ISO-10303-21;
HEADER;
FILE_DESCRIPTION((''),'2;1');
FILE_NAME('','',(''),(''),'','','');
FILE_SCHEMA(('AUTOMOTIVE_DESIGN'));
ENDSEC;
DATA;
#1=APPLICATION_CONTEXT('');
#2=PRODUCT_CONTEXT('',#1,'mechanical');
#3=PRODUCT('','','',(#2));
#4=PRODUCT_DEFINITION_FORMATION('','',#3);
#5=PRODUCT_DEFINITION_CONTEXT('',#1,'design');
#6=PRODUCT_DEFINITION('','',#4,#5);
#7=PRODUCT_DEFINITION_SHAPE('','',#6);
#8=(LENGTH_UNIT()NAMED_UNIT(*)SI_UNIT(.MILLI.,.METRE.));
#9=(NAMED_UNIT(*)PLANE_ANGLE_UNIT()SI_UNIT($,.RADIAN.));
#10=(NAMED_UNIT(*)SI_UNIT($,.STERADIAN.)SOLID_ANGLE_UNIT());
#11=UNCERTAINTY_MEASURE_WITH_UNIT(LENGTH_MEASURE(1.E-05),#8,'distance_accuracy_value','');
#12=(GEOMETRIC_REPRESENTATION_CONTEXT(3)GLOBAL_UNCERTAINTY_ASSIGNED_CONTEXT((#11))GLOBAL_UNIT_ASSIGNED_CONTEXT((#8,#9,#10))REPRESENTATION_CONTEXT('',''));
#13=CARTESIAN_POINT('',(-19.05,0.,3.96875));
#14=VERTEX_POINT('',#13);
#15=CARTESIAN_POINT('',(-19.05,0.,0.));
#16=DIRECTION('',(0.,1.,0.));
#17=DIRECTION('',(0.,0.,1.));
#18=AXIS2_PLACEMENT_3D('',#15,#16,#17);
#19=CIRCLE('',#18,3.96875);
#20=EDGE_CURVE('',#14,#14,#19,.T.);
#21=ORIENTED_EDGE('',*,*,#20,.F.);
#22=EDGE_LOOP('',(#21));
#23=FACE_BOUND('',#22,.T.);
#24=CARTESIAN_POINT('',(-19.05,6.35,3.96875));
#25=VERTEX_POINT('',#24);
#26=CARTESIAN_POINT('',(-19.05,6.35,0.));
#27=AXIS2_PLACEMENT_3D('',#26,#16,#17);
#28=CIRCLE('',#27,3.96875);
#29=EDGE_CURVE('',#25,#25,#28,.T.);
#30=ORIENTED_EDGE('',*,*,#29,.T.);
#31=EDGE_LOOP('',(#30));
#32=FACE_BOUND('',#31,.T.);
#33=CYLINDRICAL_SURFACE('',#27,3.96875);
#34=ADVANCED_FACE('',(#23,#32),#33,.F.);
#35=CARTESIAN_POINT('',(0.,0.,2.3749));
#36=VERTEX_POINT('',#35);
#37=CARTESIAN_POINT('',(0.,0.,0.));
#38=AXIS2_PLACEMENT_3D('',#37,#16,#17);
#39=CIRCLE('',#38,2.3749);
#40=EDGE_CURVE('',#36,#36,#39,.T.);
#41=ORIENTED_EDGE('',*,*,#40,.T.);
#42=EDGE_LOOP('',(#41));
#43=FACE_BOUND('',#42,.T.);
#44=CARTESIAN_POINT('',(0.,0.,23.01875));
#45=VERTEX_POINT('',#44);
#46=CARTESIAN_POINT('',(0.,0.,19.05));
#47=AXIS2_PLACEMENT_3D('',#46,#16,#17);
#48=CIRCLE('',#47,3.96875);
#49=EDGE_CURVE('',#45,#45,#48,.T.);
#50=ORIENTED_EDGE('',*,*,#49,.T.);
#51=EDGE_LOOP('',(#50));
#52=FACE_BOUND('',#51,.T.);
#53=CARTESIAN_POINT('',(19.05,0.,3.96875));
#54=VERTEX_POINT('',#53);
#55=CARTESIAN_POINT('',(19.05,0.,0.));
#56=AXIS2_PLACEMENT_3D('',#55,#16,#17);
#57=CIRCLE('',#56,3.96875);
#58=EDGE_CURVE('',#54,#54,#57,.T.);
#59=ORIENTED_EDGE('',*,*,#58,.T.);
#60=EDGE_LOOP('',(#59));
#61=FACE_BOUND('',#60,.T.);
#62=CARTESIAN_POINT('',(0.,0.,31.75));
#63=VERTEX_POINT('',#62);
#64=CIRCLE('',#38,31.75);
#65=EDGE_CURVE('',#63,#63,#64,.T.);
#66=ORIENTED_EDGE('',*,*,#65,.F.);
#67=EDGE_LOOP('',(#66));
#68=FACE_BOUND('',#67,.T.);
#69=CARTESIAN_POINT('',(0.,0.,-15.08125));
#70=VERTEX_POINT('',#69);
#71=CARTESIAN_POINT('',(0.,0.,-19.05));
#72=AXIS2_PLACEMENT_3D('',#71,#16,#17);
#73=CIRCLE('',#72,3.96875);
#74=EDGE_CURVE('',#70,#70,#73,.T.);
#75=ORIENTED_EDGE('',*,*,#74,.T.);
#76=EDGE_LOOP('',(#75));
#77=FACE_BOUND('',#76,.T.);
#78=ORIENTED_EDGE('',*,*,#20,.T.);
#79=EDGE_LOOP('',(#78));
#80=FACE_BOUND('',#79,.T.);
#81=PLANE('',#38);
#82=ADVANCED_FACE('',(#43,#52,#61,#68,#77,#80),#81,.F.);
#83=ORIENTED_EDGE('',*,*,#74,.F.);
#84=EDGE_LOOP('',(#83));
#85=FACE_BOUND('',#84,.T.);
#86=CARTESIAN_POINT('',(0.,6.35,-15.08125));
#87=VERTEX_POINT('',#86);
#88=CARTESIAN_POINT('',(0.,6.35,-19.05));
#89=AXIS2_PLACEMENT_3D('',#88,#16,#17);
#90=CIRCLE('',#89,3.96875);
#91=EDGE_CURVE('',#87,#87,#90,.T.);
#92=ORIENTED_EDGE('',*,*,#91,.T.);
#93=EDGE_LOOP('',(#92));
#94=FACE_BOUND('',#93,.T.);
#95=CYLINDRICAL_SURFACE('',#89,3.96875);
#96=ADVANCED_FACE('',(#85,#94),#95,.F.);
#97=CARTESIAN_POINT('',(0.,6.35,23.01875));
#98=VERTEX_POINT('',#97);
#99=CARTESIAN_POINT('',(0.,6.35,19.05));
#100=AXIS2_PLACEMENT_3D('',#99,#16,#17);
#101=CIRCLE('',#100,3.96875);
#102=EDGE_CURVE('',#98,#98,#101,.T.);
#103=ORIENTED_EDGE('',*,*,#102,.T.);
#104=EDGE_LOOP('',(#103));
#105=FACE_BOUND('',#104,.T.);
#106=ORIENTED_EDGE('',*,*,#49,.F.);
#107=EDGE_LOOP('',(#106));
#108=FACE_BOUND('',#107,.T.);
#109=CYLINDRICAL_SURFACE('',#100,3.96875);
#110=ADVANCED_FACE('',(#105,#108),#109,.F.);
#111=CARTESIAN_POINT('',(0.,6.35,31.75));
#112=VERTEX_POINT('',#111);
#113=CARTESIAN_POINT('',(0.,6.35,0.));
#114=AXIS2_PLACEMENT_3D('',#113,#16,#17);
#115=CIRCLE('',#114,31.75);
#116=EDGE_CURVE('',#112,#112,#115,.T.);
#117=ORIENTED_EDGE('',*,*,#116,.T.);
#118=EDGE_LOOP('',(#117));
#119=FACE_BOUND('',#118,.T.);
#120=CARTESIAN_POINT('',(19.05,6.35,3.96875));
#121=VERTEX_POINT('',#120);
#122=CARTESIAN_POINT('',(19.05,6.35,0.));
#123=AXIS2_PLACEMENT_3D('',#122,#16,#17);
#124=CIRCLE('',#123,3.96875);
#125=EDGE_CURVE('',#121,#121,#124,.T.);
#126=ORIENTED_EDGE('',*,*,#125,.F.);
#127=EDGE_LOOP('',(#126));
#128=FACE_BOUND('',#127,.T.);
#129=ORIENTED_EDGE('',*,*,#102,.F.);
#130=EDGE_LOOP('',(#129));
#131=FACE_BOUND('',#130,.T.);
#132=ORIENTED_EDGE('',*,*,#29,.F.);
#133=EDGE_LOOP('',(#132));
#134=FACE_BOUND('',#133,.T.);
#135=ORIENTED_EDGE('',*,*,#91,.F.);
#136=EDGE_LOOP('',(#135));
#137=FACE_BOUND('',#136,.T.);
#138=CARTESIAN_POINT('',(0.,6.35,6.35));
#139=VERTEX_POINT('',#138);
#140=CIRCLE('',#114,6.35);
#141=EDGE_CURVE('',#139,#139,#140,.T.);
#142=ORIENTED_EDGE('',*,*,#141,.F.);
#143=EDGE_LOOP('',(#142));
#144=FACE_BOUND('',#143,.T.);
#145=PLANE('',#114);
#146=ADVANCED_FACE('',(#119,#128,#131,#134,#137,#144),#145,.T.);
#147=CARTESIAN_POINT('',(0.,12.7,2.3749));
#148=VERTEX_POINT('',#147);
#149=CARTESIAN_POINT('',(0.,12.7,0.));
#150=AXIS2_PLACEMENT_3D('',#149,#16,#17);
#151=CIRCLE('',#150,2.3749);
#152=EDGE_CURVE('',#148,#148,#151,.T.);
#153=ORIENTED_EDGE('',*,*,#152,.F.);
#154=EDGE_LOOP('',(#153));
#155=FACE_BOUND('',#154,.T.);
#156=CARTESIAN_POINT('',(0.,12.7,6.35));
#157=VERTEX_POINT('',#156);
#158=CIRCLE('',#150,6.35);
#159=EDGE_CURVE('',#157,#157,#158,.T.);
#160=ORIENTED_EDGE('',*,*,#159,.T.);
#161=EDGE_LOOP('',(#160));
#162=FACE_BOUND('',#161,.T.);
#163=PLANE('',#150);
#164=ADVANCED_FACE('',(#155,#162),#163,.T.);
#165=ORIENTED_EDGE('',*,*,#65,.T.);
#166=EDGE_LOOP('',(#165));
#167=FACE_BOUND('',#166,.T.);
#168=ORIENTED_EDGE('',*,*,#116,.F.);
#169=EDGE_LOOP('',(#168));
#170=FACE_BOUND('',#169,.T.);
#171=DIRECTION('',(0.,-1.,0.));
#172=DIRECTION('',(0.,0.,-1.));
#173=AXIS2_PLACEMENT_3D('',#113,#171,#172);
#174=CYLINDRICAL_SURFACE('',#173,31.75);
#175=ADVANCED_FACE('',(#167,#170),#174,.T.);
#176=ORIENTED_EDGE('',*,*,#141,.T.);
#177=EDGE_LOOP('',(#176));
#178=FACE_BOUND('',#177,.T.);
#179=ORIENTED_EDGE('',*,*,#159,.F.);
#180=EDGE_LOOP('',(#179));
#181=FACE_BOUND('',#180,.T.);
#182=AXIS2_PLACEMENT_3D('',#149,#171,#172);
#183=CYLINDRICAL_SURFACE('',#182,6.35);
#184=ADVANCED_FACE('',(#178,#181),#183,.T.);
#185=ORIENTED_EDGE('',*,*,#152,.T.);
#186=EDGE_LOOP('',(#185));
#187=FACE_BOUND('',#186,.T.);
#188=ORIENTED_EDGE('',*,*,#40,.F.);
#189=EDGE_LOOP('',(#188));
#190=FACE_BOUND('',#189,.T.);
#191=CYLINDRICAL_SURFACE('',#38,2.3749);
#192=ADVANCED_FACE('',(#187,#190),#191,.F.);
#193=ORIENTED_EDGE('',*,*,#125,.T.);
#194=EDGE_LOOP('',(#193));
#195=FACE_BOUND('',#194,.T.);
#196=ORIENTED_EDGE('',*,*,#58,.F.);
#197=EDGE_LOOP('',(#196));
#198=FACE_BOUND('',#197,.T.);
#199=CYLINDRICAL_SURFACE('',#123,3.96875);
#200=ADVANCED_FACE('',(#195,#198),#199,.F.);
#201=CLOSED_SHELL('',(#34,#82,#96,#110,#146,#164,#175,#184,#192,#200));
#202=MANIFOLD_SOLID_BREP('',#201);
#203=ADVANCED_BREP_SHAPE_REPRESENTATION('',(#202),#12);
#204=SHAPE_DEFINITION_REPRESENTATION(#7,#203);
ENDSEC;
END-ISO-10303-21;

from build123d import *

# Parameters (mm, degrees)
SKETCH1_R                   = 31.75
BOSS_EXTRUDE1_DEPTH         = 6.35
SKETCH2_R                   = 6.35
BOSS_EXTRUDE2_DEPTH         = 6.35
SKETCH3_R                   = 2.3749
CUT_EXTRUDE1_DEPTH          = 47.6627796
F_3_8_16_TAPPED_HOLE1_D     = 7.9375
F_3_8_16_TAPPED_HOLE1_DEPTH = 26.924
F_3_8_16_TAPPED_HOLE1_TIP   = 2.384665582


with BuildPart() as part:
    # Sketch1 → Boss-Extrude1 (new body)
    with BuildSketch(Plane(origin=(0, 0, 0), x_dir=(1, 0, 0), z_dir=(0, 1, 0))):
        with Locations(Location((0, 0, 0), (0, 0, 270))):
            Circle(SKETCH1_R)
    extrude(amount=BOSS_EXTRUDE1_DEPTH)

    # Sketch2 → Boss-Extrude2 (add)
    with BuildSketch(Plane(origin=(0, 6.35, 0), x_dir=(1, 0, 0), z_dir=(0, 1, 0))):
        with Locations(Location((0, 0, 0), (0, 0, 270))):
            Circle(SKETCH2_R)
    extrude(amount=BOSS_EXTRUDE2_DEPTH)

    # Sketch3 → Cut-Extrude1 (cut, through all)
    with BuildSketch(Plane(origin=(0, 12.7, 0), x_dir=(1, 0, 0), z_dir=(0, 1, 0))):
        with Locations(Location((0, 0, 0), (0, 0, 270))):
            Circle(SKETCH3_R)
    extrude(amount=-CUT_EXTRUDE1_DEPTH, mode=Mode.SUBTRACT)

    # 3/8-16 Tapped Hole1
    with Locations(Plane(origin=(0, 6.35, 0), x_dir=(1, 0, 0), z_dir=(0, 1, 0))):
        with Locations((0, 19.05), (19.05, 0), (0, -19.05), (-19.05, 0)):
            Hole(F_3_8_16_TAPPED_HOLE1_D / 2, depth=F_3_8_16_TAPPED_HOLE1_DEPTH)
            with Locations((0, 0, -(F_3_8_16_TAPPED_HOLE1_DEPTH + F_3_8_16_TAPPED_HOLE1_TIP / 2))):  # 118° drill point
                Cone(0, F_3_8_16_TAPPED_HOLE1_D / 2, F_3_8_16_TAPPED_HOLE1_TIP, mode=Mode.SUBTRACT)


solid = part.part
